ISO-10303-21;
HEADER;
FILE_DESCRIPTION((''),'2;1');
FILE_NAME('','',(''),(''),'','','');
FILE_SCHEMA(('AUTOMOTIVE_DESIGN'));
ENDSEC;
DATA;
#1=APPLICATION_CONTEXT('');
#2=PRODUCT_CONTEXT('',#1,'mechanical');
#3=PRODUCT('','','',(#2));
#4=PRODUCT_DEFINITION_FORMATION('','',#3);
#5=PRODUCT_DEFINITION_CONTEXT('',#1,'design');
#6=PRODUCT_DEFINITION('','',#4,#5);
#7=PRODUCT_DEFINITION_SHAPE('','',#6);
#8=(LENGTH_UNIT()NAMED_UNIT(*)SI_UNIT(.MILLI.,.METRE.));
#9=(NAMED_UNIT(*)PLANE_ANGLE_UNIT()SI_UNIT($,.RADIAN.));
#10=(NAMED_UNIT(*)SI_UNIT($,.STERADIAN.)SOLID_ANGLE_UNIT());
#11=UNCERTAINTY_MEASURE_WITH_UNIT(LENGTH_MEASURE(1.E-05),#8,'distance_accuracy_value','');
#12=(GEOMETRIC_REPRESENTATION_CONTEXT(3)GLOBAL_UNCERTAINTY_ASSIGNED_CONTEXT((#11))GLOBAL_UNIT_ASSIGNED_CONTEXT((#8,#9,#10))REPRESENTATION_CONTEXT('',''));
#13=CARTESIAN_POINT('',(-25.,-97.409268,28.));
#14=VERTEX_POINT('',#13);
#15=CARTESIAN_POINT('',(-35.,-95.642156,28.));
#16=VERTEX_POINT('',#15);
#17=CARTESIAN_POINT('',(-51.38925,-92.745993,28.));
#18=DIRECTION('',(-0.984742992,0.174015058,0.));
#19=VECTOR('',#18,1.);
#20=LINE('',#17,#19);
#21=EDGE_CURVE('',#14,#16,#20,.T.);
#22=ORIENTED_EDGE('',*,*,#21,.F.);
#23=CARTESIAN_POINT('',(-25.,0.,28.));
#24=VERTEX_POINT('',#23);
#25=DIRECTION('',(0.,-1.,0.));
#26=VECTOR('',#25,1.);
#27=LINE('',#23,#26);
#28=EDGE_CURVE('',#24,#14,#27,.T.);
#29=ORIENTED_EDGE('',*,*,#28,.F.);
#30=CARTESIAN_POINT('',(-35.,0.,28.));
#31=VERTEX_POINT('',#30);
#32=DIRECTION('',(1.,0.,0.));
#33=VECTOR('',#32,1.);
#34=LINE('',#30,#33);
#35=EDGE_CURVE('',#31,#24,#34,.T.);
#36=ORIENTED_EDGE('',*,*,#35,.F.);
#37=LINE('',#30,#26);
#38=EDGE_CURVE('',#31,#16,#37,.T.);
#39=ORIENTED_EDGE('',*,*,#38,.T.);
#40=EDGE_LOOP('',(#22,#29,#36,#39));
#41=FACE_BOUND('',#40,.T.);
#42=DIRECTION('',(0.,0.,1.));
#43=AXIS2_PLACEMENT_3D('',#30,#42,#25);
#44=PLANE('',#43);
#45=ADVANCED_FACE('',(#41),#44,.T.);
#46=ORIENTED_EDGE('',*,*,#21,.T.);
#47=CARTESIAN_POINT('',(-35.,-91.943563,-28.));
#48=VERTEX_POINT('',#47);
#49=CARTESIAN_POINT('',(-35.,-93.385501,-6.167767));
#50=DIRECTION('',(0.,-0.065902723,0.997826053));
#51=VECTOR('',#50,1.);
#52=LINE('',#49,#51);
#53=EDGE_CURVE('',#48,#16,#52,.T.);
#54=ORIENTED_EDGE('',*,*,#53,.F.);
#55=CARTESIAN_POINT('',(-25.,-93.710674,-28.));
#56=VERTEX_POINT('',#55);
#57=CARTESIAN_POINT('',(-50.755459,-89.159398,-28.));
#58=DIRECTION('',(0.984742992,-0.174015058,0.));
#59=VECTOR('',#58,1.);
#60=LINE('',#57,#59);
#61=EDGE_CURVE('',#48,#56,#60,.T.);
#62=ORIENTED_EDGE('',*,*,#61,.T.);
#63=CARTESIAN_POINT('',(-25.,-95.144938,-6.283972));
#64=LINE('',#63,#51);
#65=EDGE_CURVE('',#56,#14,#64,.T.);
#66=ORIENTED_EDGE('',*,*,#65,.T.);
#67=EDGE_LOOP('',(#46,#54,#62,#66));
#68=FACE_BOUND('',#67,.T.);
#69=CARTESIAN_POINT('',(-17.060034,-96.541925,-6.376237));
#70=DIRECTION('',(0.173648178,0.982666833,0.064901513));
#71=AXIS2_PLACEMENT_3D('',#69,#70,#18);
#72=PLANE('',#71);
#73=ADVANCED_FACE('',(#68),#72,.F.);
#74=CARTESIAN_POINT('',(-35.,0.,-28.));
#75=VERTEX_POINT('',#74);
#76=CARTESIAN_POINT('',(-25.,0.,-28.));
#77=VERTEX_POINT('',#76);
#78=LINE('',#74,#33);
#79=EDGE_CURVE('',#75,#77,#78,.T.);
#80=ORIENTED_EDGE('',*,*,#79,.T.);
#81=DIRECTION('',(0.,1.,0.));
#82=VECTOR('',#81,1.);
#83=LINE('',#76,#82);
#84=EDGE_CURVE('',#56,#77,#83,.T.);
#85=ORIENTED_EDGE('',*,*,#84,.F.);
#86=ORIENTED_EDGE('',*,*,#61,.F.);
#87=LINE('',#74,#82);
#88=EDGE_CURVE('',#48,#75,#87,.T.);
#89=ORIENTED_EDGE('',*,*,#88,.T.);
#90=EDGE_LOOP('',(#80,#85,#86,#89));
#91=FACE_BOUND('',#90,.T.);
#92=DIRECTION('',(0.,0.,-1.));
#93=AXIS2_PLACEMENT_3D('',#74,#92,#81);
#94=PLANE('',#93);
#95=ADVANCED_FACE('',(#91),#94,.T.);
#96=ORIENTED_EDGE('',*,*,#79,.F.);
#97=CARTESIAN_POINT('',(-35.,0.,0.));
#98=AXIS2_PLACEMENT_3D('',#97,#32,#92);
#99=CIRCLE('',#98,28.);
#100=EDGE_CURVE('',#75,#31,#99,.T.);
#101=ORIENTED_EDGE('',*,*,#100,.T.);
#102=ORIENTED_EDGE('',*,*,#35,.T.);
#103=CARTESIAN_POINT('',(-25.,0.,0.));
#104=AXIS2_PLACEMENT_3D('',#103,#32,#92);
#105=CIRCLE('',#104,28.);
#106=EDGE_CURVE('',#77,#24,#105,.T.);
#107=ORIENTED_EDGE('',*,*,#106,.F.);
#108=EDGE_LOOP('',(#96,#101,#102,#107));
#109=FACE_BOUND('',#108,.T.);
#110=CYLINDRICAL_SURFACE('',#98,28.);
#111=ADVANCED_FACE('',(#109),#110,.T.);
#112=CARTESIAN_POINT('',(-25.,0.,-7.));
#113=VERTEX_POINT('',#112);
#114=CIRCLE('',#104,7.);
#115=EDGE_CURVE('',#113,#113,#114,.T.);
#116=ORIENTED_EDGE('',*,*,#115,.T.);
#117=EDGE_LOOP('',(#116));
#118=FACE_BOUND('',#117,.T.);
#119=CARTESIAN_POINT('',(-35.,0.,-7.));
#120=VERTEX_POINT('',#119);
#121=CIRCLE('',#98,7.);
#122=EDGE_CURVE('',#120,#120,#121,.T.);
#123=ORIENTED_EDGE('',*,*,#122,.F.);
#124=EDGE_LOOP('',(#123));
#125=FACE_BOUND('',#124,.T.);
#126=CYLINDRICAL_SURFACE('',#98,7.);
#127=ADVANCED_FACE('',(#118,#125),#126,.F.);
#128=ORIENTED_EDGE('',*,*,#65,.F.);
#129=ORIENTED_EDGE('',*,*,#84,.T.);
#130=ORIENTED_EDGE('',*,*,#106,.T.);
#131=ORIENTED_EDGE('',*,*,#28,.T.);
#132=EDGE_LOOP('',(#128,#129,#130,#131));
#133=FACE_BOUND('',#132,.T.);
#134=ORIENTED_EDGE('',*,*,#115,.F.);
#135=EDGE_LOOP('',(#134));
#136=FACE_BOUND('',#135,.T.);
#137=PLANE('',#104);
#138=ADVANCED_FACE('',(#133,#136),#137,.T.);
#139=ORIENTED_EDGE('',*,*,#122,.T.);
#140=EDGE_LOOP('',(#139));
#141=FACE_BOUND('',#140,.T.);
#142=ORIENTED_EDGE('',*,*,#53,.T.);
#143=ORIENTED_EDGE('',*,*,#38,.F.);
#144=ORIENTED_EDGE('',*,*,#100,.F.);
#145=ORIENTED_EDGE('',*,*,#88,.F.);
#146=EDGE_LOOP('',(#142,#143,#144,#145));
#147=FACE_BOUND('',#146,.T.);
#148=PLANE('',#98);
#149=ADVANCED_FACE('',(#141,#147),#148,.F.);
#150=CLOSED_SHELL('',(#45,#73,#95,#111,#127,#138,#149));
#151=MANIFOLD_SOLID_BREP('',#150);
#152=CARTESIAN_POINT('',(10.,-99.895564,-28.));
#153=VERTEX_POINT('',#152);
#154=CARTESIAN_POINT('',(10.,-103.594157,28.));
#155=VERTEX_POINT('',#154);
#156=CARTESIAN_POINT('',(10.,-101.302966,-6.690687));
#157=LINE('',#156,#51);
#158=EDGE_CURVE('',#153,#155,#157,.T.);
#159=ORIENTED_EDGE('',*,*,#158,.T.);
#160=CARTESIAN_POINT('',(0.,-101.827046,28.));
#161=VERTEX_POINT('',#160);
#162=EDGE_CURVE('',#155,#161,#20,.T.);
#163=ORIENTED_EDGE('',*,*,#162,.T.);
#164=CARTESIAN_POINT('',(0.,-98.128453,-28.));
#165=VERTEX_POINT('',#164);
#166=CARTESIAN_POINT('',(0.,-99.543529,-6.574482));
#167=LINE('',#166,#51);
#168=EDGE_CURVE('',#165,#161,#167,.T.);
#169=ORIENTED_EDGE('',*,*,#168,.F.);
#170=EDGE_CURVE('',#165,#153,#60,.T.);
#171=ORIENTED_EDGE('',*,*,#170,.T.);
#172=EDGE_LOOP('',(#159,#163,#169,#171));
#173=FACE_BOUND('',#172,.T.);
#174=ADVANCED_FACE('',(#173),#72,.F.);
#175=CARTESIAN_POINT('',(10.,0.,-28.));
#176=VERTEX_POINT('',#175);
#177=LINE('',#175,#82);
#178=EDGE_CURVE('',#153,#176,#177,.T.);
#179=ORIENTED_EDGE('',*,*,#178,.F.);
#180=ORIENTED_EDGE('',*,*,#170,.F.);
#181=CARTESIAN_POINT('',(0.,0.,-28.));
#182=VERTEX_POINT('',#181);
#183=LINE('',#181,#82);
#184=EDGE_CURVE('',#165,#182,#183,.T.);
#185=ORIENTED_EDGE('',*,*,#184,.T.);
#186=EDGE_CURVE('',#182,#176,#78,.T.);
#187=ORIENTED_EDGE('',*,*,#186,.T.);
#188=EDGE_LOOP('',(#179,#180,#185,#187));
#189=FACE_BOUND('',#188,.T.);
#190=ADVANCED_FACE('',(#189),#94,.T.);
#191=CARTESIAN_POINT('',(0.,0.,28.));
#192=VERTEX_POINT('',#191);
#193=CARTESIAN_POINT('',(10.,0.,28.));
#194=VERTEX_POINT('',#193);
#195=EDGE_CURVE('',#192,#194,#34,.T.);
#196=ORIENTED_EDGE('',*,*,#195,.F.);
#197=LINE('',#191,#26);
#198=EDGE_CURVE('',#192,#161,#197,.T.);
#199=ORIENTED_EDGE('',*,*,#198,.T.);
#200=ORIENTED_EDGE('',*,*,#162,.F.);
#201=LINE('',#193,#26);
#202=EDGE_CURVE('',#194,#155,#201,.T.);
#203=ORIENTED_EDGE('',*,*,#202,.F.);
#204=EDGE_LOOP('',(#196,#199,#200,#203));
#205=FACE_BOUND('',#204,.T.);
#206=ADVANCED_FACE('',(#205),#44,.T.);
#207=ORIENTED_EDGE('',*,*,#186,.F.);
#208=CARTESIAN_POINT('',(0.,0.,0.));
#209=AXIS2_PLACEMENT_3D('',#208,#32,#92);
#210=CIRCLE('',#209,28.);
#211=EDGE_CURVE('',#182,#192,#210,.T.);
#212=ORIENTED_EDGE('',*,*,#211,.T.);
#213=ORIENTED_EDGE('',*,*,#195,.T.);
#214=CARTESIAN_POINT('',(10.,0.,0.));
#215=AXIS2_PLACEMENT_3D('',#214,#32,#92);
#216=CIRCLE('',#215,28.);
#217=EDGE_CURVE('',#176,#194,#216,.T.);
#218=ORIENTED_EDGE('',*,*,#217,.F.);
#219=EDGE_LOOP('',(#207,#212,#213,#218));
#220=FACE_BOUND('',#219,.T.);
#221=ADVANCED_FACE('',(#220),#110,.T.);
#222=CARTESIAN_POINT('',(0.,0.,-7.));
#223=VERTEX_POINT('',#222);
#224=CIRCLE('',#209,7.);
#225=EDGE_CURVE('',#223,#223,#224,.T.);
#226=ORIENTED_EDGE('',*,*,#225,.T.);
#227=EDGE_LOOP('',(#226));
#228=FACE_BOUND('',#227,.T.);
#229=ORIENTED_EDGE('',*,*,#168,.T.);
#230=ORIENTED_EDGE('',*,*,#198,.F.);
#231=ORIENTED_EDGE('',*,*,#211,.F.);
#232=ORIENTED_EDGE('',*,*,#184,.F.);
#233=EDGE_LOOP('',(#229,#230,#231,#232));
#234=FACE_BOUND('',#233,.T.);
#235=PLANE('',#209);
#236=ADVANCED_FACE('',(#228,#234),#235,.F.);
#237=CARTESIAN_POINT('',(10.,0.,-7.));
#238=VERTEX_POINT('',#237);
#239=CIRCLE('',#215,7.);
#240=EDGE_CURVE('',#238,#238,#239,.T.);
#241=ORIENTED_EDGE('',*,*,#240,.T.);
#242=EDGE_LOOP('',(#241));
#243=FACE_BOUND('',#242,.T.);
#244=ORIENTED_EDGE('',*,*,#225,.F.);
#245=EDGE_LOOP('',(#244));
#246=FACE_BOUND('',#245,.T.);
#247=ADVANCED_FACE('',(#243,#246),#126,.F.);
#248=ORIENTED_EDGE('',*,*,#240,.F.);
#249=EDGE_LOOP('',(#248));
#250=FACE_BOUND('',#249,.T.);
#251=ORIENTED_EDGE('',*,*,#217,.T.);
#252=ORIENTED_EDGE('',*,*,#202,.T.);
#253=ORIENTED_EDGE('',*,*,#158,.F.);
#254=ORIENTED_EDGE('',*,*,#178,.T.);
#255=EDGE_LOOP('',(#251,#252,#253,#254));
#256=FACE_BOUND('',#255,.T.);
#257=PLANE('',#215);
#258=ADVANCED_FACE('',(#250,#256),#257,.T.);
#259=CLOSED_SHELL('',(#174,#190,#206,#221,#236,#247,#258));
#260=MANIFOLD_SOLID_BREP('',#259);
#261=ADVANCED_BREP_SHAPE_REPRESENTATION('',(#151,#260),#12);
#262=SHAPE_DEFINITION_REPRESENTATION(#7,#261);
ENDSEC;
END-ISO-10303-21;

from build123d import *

# Parameters (mm, degrees)
EXTRUDE_1_DEPTH      = 10
EXTRUDE_1_DEPTH_BACK = 35
SKETCH_1_R           = 7
CUT_EXTRUDE_START    = -25
SKETCH_1_2_R         = 7
CUT_EXTRUDE_1_DEPTH  = 25
SKETCH_2_R           = 162.622084324
CUT_EXTRUDE_2_DEPTH  = 168


with BuildPart() as part:
    # 草图1 → 凸台-拉伸1 (new, two sides: drawn at the far end of the back side and taken through both)
    with BuildSketch(Plane(origin=(0, 0, 0), x_dir=(0, 0, -1), z_dir=(1, 0, 0)).offset(-EXTRUDE_1_DEPTH_BACK)):
        with BuildLine():
            Line((-28, 0), (-28, -200))
            Line((-28, -200), (28, -200))
            Line((28, -200), (28, 0))
            ThreePointArc((28, 0), (0, 28), (-28, 0))
        make_face()
        Circle(SKETCH_1_R, mode=Mode.SUBTRACT)
    extrude(amount=EXTRUDE_1_DEPTH + EXTRUDE_1_DEPTH_BACK)

    # 草图1<2> → 切除-拉伸1 (cut)
    with BuildSketch(Plane(origin=(0, 0, 0), x_dir=(0, 0, -1), z_dir=(1, 0, 0)).offset(CUT_EXTRUDE_START)):
        with BuildLine():
            Line((-28, 0), (-28, -200))
            Line((-28, -200), (28, -200))
            Line((28, -200), (28, 0))
            ThreePointArc((28, 0), (0, 28), (-28, 0))
        make_face()
        Circle(SKETCH_1_2_R, mode=Mode.SUBTRACT)
    extrude(amount=CUT_EXTRUDE_1_DEPTH, mode=Mode.SUBTRACT)


with BuildPart() as cut_extrude_1_piece_1:
    # of the separate pieces the step leaves, piece 1, a body of its own (cut_extrude_1_pieces)
    add(part.part.solids().sort_by_distance((10, 0, 28))[0])


with BuildPart() as cut_extrude_1_piece_2:
    # of the separate pieces the step leaves, piece 2, a body of its own (cut_extrude_1_pieces)
    add(part.part.solids().sort_by_distance((-25, 0, 28))[0])


with BuildPart() as cut_extrude_2_tool:
    # 草图2 → 切除-拉伸2 (new body)
    with BuildSketch(Plane(origin=(-17.060033695, -96.541924604, -6.376237343), x_dir=(-0.9498379877166935, 0.18452396761475204, -0.25250485632164077), z_dir=(0.17364817766693202, 0.9826668326704634, 0.06490151278940554))):
        Circle(SKETCH_2_R)
    extrude(amount=-CUT_EXTRUDE_2_DEPTH)


with BuildPart() as cut_extrude_1_piece_1_1:
    add(cut_extrude_1_piece_1.part)

    # 切除-拉伸2: cut by cut_extrude_2_tool
    add(cut_extrude_2_tool.part, mode=Mode.SUBTRACT)


with BuildPart() as cut_extrude_1_piece_2_1:
    add(cut_extrude_1_piece_2.part)

    # 切除-拉伸2: cut by cut_extrude_2_tool
    add(cut_extrude_2_tool.part, mode=Mode.SUBTRACT)


solid = Compound([cut_extrude_1_piece_1_1.part, cut_extrude_1_piece_2_1.part])
